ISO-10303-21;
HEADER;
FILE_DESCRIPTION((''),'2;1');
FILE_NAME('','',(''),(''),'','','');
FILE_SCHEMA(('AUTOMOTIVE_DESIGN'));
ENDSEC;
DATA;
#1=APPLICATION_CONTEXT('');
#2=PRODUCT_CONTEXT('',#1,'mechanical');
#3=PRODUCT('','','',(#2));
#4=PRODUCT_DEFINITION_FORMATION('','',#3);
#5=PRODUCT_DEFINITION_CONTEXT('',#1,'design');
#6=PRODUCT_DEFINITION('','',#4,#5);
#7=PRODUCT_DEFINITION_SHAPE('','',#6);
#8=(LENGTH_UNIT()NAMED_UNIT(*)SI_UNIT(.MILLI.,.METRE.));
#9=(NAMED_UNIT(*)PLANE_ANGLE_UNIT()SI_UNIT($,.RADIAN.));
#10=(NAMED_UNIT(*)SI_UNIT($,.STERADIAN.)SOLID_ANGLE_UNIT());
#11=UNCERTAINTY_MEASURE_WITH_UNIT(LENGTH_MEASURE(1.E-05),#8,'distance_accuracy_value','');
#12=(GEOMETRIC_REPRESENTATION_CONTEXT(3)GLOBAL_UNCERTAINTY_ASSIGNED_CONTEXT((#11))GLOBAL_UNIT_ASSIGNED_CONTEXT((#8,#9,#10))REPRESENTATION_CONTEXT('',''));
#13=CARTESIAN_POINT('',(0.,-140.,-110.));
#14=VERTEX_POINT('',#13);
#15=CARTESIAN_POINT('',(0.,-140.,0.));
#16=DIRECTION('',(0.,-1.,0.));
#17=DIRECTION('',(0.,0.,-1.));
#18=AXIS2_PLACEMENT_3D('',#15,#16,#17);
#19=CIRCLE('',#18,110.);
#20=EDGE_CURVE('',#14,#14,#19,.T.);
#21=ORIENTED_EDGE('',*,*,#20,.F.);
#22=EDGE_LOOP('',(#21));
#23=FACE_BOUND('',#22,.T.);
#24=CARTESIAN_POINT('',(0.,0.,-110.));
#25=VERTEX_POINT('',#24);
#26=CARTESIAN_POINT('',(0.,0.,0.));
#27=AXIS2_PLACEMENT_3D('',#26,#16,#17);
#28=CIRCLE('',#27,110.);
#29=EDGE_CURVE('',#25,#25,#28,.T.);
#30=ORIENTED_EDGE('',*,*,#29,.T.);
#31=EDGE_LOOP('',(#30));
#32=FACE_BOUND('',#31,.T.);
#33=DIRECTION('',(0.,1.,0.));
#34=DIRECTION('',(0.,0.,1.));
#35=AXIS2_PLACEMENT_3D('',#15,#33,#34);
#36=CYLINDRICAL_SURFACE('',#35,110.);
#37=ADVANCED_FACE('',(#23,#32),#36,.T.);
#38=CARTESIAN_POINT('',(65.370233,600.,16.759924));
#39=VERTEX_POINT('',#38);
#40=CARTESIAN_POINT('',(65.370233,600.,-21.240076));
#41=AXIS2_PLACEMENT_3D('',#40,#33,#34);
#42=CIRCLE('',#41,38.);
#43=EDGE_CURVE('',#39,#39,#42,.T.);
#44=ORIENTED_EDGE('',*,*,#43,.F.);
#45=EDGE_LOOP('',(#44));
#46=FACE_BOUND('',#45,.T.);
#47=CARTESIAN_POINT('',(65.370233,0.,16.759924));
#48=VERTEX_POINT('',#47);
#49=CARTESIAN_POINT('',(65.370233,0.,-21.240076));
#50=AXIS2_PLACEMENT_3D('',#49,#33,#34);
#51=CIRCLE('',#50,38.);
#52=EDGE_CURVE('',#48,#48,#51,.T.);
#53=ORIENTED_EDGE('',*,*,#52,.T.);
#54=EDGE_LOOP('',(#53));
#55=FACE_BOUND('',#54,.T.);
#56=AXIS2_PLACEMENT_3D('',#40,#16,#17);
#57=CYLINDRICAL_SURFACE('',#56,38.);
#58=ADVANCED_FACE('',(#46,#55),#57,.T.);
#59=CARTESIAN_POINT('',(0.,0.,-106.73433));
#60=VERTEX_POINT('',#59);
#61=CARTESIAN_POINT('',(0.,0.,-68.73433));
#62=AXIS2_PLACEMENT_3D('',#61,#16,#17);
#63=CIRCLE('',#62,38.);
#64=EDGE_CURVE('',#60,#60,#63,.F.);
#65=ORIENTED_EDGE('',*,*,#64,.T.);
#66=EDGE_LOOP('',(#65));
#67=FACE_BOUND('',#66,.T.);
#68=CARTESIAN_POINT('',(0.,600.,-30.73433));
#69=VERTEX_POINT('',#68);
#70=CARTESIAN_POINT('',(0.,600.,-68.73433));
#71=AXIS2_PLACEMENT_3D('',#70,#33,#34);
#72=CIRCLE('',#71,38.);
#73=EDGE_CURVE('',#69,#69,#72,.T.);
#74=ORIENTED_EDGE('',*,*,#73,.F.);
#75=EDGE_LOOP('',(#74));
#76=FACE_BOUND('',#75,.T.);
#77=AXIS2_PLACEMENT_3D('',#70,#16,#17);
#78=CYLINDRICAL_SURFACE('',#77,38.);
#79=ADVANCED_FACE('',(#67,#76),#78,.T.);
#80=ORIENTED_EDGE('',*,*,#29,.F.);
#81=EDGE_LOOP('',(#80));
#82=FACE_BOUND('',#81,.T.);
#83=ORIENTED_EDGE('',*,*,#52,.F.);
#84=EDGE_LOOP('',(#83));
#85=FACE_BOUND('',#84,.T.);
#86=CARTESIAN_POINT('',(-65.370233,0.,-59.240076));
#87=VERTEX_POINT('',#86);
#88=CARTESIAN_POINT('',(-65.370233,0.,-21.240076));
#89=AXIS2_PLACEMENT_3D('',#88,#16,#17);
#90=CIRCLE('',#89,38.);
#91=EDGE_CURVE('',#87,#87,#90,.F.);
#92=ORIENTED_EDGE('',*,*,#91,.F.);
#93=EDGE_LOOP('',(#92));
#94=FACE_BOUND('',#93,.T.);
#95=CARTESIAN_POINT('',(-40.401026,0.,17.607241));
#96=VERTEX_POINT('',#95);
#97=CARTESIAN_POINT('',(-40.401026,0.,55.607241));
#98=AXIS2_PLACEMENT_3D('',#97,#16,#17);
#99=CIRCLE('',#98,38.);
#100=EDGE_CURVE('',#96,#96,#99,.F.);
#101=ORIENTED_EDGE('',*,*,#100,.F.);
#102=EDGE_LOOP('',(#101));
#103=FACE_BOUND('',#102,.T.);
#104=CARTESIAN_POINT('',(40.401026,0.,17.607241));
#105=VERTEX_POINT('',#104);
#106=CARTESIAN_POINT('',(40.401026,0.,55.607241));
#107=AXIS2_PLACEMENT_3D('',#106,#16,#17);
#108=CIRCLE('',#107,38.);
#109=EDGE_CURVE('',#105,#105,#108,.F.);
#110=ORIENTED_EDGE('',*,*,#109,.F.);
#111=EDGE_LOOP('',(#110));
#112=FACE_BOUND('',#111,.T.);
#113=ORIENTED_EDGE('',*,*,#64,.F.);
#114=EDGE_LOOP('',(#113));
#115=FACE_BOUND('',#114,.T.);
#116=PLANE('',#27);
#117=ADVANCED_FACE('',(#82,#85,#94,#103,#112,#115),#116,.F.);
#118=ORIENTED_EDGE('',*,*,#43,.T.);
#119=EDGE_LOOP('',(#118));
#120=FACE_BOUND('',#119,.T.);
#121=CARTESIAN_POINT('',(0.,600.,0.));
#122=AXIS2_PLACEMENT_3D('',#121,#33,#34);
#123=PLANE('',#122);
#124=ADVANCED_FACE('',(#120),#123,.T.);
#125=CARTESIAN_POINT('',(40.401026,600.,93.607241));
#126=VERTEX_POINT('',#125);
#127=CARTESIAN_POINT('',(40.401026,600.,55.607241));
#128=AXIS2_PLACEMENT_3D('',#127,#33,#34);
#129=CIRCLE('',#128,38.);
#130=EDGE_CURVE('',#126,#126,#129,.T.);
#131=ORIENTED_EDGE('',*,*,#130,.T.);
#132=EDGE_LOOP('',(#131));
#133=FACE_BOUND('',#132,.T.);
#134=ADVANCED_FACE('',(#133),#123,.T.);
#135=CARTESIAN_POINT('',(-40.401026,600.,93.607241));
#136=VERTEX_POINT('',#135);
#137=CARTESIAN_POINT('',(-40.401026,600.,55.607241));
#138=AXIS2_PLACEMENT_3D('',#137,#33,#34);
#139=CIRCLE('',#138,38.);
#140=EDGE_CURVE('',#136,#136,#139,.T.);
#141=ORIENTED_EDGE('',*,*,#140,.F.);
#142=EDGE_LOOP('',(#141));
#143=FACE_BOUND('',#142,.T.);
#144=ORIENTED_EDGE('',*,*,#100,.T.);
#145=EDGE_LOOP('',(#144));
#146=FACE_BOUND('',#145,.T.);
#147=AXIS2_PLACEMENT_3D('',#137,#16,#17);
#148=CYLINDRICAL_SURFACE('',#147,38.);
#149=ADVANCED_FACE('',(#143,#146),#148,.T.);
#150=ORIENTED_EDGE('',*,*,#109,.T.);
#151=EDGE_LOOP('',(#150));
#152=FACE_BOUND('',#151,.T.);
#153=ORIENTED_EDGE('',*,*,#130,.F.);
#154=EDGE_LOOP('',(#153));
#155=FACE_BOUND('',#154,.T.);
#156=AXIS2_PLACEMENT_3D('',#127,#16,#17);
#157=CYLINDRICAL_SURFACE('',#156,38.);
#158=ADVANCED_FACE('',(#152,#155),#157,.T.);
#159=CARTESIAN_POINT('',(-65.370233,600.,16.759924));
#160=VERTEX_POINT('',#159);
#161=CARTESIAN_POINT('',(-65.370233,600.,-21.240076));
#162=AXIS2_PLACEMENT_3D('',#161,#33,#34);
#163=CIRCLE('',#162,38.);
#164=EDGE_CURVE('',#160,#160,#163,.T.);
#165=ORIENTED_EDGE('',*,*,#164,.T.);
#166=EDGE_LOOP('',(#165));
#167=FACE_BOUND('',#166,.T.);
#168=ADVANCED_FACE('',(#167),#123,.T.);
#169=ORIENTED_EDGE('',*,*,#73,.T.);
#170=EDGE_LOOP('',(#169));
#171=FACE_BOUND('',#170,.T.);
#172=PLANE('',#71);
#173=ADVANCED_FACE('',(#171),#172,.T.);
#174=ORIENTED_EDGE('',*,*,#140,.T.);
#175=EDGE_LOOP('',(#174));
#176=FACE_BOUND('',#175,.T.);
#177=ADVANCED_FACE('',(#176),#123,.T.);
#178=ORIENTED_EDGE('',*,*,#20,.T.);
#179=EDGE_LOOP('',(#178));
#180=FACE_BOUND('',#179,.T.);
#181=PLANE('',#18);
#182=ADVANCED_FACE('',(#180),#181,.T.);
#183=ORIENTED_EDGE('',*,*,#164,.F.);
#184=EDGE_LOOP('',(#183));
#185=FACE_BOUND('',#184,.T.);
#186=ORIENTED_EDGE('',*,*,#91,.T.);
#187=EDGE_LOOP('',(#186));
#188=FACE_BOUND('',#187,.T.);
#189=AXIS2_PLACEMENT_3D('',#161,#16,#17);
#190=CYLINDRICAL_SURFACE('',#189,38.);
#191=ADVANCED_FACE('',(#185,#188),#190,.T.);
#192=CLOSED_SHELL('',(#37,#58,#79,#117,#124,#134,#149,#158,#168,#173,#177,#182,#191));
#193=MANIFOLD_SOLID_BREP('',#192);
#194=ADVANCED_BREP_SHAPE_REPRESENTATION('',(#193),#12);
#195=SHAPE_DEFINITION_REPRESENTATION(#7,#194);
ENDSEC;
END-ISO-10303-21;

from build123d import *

# Parameters (mm, degrees)
SKETCH1_R             = 38
BOSS_EXTRUDE1_DEPTH   = 600
BOSS_EXTRUDE1_2_DEPTH = 600
BOSS_EXTRUDE1_3_DEPTH = 600
BOSS_EXTRUDE1_4_DEPTH = 600
BOSS_EXTRUDE1_5_DEPTH = 600
SKETCH2_R             = 110
BOSS_EXTRUDE2_DEPTH   = 140


with BuildPart() as part:
    # Sketch1 → Boss-Extrude1 (new body)
    with BuildSketch(Plane(origin=(0, 0, 0), x_dir=(1, 0, 0), z_dir=(0, 1, 0))):
        with Locations(Location((65.370232552, 21.240076103, 0), (0, 0, 270))):
            Circle(SKETCH1_R)
    extrude(amount=BOSS_EXTRUDE1_DEPTH)



with BuildPart() as body_2:
    # Sketch1 → Boss-Extrude1 2 (new body)
    with BuildSketch(Plane(origin=(0, 0, 0), x_dir=(1, 0, 0), z_dir=(0, 1, 0))):
        with Locations(Location((40.401025569, -55.607241162, 0), (0, 0, 270))):
            Circle(SKETCH1_R)
    extrude(amount=BOSS_EXTRUDE1_2_DEPTH)


with BuildPart() as body_3:
    # Sketch1 → Boss-Extrude1 3 (new body)
    with BuildSketch(Plane(origin=(0, 0, 0), x_dir=(1, 0, 0), z_dir=(0, 1, 0))):
        with Locations(Location((-40.401025569, -55.607241162, 0), (0, 0, 270))):
            Circle(SKETCH1_R)
    extrude(amount=BOSS_EXTRUDE1_3_DEPTH)


with BuildPart() as body_4:
    # Sketch1 → Boss-Extrude1 4 (new body)
    with BuildSketch(Plane(origin=(0, 0, 0), x_dir=(1, 0, 0), z_dir=(0, 1, 0))):
        with Locations(Location((-65.370232552, 21.240076103, 0), (0, 0, 270))):
            Circle(SKETCH1_R)
    extrude(amount=BOSS_EXTRUDE1_4_DEPTH)


with BuildPart() as body_5:
    # Sketch1 → Boss-Extrude1 5 (new body)
    with BuildSketch(Plane(origin=(0, 0, 0), x_dir=(1, 0, 0), z_dir=(0, 1, 0))):
        with Locations(Location((0, 68.734330118, 0), (0, 0, 270))):
            Circle(SKETCH1_R)
    extrude(amount=BOSS_EXTRUDE1_5_DEPTH)


with BuildPart() as part_1:
    add(part.part)

    add(body_2.part)  # Boss-Extrude2 merges body 2

    add(body_3.part)  # Boss-Extrude2 merges body 3

    add(body_4.part)  # Boss-Extrude2 merges body 4

    add(body_5.part)  # Boss-Extrude2 merges body 5
    # Sketch2 → Boss-Extrude2 (add)
    with BuildSketch(Plane.XZ):
        with Locations(Location((0, 0, 0), (0, 0, 270))):
            Circle(SKETCH2_R)
    extrude(amount=BOSS_EXTRUDE2_DEPTH)


solid = part_1.part
